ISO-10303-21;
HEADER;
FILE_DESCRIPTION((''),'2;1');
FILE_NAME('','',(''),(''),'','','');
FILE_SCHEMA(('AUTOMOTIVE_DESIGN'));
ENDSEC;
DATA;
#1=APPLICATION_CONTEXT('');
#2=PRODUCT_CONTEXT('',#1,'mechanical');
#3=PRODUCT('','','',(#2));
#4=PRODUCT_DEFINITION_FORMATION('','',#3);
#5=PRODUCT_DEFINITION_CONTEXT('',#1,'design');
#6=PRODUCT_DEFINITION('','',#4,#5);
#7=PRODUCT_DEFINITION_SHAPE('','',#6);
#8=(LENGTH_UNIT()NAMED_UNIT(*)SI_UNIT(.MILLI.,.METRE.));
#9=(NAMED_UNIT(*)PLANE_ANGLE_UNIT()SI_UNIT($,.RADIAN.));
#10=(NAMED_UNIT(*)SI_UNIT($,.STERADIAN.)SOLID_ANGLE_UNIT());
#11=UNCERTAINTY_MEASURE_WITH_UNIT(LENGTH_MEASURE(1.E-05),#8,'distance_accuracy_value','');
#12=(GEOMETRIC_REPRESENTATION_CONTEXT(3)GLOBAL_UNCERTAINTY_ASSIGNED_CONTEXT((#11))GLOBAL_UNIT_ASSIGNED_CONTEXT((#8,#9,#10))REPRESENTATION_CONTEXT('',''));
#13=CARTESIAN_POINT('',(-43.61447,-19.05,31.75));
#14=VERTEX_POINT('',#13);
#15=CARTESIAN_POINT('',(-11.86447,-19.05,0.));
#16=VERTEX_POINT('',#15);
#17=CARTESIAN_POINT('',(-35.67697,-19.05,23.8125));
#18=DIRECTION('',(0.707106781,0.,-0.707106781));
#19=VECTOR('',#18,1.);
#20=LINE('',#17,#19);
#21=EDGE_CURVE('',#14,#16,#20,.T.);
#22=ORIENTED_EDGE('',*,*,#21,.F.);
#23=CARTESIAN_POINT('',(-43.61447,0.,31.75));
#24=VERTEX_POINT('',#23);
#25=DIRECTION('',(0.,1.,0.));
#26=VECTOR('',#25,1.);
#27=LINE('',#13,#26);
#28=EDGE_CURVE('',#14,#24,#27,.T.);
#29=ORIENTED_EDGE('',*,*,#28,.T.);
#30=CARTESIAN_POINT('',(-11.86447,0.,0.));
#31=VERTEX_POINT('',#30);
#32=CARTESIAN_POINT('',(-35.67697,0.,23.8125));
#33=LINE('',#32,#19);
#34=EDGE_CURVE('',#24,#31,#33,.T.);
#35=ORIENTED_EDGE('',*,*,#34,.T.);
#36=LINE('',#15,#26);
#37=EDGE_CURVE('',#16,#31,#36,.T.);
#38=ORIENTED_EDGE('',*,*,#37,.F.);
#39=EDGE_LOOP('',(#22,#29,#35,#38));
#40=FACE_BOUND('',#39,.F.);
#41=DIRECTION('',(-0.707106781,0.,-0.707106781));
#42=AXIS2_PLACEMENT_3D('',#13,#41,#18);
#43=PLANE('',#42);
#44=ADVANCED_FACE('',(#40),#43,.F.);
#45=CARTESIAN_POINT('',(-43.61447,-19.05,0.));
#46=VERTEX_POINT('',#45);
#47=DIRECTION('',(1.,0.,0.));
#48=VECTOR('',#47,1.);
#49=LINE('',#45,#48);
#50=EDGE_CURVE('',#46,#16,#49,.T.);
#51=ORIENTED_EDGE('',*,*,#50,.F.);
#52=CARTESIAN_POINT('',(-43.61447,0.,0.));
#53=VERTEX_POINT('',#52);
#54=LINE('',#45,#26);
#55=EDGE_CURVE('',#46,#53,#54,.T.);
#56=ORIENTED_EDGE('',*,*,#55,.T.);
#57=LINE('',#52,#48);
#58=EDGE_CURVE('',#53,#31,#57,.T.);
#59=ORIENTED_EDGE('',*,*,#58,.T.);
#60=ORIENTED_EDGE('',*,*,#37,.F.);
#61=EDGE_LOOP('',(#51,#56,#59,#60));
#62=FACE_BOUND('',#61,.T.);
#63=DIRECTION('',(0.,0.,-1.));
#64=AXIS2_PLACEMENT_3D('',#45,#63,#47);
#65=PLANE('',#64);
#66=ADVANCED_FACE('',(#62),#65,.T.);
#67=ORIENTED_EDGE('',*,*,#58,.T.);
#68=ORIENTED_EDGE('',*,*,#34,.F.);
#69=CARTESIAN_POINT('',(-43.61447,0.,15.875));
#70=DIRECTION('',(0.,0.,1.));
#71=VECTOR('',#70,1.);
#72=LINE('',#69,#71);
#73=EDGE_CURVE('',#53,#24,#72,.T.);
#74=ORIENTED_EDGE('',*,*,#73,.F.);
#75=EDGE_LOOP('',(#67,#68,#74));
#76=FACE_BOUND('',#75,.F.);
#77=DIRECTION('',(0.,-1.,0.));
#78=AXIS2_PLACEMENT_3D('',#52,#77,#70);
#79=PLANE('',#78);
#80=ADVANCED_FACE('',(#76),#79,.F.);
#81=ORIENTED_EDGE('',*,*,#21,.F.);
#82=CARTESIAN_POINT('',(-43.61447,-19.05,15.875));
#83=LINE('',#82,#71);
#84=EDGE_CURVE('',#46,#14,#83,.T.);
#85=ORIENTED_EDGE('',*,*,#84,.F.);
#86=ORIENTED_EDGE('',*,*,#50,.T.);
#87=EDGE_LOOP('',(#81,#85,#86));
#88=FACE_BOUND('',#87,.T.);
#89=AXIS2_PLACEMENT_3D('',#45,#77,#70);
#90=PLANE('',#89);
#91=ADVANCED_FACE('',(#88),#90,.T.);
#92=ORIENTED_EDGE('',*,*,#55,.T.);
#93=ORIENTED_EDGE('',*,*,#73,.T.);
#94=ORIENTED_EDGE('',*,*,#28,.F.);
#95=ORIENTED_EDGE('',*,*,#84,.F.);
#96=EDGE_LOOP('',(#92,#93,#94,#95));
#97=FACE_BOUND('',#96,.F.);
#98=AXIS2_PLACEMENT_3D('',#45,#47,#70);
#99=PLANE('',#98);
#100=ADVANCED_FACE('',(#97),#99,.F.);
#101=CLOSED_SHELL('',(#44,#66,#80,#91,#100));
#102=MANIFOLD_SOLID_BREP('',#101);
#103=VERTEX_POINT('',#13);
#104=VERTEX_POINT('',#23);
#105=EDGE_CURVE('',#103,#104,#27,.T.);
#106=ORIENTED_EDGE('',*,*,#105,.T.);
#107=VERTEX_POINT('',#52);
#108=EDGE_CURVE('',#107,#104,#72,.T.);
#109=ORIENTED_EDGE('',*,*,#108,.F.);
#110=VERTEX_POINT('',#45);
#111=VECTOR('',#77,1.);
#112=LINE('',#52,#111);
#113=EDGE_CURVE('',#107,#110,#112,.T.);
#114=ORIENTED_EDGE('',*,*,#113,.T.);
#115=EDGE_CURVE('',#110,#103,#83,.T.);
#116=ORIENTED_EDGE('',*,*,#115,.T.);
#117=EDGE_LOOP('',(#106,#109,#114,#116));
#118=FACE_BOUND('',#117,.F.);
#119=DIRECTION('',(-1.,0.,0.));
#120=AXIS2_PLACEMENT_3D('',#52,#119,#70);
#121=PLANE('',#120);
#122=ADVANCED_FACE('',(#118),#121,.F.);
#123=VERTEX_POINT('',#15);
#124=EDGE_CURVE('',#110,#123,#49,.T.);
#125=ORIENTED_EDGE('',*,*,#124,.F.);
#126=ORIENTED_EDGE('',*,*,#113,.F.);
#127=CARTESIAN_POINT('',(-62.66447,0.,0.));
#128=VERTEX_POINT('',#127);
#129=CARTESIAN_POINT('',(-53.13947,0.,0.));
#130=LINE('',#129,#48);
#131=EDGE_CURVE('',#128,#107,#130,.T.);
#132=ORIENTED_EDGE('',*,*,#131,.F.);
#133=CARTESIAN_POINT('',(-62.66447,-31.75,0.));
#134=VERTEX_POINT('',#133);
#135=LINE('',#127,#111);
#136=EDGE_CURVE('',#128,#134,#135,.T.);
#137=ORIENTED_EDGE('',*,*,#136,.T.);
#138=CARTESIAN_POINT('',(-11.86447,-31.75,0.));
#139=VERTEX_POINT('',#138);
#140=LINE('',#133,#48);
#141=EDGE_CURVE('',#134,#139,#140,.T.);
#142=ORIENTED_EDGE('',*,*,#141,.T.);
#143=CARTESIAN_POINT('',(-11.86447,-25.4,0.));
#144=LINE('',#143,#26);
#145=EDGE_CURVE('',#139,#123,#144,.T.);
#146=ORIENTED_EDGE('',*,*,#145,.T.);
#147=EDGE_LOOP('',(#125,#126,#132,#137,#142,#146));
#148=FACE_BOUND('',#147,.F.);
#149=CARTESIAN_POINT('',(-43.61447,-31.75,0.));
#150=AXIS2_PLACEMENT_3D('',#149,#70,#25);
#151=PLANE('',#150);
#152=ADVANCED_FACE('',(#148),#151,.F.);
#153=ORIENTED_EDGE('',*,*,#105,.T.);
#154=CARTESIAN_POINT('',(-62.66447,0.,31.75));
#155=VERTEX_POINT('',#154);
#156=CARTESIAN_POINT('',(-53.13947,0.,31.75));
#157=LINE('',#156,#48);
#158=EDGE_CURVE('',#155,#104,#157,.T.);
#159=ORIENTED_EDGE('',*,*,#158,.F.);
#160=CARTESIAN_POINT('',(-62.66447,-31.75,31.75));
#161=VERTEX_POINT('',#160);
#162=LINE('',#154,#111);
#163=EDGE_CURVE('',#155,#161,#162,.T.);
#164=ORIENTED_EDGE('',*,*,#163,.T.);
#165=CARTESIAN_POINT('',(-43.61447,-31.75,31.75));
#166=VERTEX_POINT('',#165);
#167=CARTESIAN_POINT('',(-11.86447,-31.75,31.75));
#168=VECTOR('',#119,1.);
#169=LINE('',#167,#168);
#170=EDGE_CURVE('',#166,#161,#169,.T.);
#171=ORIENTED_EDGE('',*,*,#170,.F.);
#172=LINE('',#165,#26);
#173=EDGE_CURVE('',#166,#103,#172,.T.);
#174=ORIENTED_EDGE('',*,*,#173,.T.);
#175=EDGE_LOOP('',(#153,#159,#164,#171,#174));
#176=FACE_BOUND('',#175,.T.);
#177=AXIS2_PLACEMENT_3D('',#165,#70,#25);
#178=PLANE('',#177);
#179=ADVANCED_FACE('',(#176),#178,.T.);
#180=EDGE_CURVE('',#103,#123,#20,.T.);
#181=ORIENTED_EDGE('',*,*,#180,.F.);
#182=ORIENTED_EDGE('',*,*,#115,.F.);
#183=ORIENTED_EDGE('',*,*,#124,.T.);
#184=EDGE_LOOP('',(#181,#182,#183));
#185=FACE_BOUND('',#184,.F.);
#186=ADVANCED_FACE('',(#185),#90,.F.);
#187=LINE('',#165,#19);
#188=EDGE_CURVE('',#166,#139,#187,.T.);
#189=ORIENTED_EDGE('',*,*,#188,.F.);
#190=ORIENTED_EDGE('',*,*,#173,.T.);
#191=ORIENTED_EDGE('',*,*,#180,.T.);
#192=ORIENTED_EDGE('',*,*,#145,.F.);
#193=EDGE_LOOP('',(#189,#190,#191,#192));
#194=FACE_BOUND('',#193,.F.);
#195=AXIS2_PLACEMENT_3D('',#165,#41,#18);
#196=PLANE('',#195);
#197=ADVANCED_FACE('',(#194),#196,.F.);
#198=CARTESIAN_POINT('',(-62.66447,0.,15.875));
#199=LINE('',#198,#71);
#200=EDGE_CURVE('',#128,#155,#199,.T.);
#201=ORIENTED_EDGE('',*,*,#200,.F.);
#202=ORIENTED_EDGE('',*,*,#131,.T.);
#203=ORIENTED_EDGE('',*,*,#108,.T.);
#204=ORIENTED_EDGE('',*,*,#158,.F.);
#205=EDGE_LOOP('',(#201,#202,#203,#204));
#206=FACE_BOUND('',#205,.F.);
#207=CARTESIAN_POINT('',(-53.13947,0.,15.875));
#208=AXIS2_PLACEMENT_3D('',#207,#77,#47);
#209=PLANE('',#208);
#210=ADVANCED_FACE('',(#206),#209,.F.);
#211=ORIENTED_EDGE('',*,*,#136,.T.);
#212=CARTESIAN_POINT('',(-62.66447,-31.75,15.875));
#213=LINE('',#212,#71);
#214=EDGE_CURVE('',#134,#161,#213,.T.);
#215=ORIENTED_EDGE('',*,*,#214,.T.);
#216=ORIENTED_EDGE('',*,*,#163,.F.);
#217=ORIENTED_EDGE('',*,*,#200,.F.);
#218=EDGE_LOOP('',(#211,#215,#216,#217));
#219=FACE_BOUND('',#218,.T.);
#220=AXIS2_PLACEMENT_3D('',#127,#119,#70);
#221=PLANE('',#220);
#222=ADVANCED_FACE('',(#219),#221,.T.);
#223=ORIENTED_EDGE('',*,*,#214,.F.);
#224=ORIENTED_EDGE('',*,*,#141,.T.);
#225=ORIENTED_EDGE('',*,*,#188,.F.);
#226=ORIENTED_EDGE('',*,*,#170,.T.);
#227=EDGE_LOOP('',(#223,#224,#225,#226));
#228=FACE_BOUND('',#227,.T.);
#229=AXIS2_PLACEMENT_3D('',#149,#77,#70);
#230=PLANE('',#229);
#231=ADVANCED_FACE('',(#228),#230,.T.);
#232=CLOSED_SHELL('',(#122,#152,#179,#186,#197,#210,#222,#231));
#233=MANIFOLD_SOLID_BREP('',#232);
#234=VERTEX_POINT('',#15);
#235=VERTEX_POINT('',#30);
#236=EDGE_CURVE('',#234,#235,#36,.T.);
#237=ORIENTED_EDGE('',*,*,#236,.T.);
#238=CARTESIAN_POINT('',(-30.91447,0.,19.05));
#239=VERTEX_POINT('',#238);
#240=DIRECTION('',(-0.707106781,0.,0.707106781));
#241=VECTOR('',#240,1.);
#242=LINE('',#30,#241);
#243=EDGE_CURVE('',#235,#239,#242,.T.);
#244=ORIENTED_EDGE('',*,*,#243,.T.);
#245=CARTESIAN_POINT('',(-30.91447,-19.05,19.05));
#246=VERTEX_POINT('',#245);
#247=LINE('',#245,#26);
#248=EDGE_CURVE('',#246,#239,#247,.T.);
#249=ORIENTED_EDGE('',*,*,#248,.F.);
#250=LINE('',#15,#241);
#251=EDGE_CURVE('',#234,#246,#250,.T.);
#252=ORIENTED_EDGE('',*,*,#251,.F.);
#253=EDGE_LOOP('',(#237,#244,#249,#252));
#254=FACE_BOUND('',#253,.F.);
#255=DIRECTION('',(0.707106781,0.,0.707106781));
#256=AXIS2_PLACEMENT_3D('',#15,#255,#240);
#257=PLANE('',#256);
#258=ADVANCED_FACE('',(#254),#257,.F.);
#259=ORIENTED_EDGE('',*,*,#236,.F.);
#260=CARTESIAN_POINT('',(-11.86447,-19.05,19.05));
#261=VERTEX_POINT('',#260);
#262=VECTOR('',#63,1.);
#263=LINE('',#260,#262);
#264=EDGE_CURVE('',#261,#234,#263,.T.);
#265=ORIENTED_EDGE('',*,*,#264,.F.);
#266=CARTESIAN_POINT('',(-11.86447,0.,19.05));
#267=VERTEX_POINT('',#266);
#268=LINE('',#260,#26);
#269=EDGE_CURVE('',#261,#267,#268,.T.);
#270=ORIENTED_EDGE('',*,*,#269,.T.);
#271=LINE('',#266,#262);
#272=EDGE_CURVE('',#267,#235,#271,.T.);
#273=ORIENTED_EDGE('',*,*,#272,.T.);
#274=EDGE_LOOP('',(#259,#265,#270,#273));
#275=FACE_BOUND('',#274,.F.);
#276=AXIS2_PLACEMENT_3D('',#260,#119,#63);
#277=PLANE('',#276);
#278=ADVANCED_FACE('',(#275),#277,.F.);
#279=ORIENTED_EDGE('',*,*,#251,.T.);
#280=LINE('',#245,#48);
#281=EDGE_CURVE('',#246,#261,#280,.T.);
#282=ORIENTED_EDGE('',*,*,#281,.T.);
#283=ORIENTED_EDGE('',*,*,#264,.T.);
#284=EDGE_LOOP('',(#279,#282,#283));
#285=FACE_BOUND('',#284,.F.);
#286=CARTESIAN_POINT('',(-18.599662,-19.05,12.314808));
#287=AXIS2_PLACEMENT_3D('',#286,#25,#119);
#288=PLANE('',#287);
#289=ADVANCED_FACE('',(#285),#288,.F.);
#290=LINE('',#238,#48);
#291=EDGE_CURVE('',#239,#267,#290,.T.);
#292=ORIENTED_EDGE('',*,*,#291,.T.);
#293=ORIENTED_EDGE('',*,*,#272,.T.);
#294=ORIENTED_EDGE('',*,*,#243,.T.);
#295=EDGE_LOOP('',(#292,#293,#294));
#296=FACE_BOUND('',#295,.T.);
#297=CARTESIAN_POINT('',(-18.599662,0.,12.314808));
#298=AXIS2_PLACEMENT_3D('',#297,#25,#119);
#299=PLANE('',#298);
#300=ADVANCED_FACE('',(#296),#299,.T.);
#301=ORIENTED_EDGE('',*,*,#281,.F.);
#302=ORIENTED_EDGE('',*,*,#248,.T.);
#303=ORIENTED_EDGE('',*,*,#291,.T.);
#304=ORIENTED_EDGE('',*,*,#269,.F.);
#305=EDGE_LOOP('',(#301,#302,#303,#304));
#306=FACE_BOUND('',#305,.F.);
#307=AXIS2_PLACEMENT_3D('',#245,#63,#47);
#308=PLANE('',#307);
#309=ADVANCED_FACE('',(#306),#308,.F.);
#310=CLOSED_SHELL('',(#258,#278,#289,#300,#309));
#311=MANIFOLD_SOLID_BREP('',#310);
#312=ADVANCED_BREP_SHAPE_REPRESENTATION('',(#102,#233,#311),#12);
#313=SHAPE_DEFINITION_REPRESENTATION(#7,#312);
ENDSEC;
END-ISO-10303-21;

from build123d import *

# Parameters (mm, degrees)
F0_W     = 19.05
F0_H     = 31.75
F1_DEPTH = 31.75
F2_W     = 12.7
F2_H     = 31.75
F3_DEPTH = 31.75
F5_DEPTH = 25.4
F7_DEPTH = 19.05
F8_DEPTH = 19.05


with BuildPart() as f1:
    # F0 (on Front) → F1 (new body)
    with BuildSketch(Plane.XZ):
        with Locations((-53.1394695162, 15.875)):
            Rectangle(F0_W, F0_H)
    extrude(amount=F1_DEPTH)

    # F2 (on face) → F3 (join)
    with BuildSketch(Plane.YZ.offset(-43.6144695162)):
        with Locations((-25.4, 15.875)):
            Rectangle(F2_W, F2_H)
    extrude(amount=F3_DEPTH)

    # F4 (on face) → F5 (cut)
    with BuildSketch(Plane.XZ.offset(31.75)):
        Polygon((-43.6144695162, 31.75), (-11.8644695162, 0), (-11.8644695162, 31.75), align=None)
    extrude(amount=-F5_DEPTH, mode=Mode.SUBTRACT)


with BuildPart() as f7:
    # F6 (on face) → F7 (new body)
    with BuildSketch(Plane(origin=(0, -19.05, 0), x_dir=(-1, 0, 0), z_dir=(0, 1, 0))):
        Polygon((11.8644695162, 19.05), (11.8644695162, 0), (30.9144695162, 19.05), align=None)
    extrude(amount=F7_DEPTH)


with BuildPart() as f8:
    # F8 (new): a face of the model
    f8_faces = [f1.part.faces().sort_by_distance(p)[0] for p in [
        (-33.0311361829, -19.05, 10.5833333333),
    ]]
    extrude(f8_faces, amount=F8_DEPTH)


solid = Compound([f1.part, f7.part, f8.part])
